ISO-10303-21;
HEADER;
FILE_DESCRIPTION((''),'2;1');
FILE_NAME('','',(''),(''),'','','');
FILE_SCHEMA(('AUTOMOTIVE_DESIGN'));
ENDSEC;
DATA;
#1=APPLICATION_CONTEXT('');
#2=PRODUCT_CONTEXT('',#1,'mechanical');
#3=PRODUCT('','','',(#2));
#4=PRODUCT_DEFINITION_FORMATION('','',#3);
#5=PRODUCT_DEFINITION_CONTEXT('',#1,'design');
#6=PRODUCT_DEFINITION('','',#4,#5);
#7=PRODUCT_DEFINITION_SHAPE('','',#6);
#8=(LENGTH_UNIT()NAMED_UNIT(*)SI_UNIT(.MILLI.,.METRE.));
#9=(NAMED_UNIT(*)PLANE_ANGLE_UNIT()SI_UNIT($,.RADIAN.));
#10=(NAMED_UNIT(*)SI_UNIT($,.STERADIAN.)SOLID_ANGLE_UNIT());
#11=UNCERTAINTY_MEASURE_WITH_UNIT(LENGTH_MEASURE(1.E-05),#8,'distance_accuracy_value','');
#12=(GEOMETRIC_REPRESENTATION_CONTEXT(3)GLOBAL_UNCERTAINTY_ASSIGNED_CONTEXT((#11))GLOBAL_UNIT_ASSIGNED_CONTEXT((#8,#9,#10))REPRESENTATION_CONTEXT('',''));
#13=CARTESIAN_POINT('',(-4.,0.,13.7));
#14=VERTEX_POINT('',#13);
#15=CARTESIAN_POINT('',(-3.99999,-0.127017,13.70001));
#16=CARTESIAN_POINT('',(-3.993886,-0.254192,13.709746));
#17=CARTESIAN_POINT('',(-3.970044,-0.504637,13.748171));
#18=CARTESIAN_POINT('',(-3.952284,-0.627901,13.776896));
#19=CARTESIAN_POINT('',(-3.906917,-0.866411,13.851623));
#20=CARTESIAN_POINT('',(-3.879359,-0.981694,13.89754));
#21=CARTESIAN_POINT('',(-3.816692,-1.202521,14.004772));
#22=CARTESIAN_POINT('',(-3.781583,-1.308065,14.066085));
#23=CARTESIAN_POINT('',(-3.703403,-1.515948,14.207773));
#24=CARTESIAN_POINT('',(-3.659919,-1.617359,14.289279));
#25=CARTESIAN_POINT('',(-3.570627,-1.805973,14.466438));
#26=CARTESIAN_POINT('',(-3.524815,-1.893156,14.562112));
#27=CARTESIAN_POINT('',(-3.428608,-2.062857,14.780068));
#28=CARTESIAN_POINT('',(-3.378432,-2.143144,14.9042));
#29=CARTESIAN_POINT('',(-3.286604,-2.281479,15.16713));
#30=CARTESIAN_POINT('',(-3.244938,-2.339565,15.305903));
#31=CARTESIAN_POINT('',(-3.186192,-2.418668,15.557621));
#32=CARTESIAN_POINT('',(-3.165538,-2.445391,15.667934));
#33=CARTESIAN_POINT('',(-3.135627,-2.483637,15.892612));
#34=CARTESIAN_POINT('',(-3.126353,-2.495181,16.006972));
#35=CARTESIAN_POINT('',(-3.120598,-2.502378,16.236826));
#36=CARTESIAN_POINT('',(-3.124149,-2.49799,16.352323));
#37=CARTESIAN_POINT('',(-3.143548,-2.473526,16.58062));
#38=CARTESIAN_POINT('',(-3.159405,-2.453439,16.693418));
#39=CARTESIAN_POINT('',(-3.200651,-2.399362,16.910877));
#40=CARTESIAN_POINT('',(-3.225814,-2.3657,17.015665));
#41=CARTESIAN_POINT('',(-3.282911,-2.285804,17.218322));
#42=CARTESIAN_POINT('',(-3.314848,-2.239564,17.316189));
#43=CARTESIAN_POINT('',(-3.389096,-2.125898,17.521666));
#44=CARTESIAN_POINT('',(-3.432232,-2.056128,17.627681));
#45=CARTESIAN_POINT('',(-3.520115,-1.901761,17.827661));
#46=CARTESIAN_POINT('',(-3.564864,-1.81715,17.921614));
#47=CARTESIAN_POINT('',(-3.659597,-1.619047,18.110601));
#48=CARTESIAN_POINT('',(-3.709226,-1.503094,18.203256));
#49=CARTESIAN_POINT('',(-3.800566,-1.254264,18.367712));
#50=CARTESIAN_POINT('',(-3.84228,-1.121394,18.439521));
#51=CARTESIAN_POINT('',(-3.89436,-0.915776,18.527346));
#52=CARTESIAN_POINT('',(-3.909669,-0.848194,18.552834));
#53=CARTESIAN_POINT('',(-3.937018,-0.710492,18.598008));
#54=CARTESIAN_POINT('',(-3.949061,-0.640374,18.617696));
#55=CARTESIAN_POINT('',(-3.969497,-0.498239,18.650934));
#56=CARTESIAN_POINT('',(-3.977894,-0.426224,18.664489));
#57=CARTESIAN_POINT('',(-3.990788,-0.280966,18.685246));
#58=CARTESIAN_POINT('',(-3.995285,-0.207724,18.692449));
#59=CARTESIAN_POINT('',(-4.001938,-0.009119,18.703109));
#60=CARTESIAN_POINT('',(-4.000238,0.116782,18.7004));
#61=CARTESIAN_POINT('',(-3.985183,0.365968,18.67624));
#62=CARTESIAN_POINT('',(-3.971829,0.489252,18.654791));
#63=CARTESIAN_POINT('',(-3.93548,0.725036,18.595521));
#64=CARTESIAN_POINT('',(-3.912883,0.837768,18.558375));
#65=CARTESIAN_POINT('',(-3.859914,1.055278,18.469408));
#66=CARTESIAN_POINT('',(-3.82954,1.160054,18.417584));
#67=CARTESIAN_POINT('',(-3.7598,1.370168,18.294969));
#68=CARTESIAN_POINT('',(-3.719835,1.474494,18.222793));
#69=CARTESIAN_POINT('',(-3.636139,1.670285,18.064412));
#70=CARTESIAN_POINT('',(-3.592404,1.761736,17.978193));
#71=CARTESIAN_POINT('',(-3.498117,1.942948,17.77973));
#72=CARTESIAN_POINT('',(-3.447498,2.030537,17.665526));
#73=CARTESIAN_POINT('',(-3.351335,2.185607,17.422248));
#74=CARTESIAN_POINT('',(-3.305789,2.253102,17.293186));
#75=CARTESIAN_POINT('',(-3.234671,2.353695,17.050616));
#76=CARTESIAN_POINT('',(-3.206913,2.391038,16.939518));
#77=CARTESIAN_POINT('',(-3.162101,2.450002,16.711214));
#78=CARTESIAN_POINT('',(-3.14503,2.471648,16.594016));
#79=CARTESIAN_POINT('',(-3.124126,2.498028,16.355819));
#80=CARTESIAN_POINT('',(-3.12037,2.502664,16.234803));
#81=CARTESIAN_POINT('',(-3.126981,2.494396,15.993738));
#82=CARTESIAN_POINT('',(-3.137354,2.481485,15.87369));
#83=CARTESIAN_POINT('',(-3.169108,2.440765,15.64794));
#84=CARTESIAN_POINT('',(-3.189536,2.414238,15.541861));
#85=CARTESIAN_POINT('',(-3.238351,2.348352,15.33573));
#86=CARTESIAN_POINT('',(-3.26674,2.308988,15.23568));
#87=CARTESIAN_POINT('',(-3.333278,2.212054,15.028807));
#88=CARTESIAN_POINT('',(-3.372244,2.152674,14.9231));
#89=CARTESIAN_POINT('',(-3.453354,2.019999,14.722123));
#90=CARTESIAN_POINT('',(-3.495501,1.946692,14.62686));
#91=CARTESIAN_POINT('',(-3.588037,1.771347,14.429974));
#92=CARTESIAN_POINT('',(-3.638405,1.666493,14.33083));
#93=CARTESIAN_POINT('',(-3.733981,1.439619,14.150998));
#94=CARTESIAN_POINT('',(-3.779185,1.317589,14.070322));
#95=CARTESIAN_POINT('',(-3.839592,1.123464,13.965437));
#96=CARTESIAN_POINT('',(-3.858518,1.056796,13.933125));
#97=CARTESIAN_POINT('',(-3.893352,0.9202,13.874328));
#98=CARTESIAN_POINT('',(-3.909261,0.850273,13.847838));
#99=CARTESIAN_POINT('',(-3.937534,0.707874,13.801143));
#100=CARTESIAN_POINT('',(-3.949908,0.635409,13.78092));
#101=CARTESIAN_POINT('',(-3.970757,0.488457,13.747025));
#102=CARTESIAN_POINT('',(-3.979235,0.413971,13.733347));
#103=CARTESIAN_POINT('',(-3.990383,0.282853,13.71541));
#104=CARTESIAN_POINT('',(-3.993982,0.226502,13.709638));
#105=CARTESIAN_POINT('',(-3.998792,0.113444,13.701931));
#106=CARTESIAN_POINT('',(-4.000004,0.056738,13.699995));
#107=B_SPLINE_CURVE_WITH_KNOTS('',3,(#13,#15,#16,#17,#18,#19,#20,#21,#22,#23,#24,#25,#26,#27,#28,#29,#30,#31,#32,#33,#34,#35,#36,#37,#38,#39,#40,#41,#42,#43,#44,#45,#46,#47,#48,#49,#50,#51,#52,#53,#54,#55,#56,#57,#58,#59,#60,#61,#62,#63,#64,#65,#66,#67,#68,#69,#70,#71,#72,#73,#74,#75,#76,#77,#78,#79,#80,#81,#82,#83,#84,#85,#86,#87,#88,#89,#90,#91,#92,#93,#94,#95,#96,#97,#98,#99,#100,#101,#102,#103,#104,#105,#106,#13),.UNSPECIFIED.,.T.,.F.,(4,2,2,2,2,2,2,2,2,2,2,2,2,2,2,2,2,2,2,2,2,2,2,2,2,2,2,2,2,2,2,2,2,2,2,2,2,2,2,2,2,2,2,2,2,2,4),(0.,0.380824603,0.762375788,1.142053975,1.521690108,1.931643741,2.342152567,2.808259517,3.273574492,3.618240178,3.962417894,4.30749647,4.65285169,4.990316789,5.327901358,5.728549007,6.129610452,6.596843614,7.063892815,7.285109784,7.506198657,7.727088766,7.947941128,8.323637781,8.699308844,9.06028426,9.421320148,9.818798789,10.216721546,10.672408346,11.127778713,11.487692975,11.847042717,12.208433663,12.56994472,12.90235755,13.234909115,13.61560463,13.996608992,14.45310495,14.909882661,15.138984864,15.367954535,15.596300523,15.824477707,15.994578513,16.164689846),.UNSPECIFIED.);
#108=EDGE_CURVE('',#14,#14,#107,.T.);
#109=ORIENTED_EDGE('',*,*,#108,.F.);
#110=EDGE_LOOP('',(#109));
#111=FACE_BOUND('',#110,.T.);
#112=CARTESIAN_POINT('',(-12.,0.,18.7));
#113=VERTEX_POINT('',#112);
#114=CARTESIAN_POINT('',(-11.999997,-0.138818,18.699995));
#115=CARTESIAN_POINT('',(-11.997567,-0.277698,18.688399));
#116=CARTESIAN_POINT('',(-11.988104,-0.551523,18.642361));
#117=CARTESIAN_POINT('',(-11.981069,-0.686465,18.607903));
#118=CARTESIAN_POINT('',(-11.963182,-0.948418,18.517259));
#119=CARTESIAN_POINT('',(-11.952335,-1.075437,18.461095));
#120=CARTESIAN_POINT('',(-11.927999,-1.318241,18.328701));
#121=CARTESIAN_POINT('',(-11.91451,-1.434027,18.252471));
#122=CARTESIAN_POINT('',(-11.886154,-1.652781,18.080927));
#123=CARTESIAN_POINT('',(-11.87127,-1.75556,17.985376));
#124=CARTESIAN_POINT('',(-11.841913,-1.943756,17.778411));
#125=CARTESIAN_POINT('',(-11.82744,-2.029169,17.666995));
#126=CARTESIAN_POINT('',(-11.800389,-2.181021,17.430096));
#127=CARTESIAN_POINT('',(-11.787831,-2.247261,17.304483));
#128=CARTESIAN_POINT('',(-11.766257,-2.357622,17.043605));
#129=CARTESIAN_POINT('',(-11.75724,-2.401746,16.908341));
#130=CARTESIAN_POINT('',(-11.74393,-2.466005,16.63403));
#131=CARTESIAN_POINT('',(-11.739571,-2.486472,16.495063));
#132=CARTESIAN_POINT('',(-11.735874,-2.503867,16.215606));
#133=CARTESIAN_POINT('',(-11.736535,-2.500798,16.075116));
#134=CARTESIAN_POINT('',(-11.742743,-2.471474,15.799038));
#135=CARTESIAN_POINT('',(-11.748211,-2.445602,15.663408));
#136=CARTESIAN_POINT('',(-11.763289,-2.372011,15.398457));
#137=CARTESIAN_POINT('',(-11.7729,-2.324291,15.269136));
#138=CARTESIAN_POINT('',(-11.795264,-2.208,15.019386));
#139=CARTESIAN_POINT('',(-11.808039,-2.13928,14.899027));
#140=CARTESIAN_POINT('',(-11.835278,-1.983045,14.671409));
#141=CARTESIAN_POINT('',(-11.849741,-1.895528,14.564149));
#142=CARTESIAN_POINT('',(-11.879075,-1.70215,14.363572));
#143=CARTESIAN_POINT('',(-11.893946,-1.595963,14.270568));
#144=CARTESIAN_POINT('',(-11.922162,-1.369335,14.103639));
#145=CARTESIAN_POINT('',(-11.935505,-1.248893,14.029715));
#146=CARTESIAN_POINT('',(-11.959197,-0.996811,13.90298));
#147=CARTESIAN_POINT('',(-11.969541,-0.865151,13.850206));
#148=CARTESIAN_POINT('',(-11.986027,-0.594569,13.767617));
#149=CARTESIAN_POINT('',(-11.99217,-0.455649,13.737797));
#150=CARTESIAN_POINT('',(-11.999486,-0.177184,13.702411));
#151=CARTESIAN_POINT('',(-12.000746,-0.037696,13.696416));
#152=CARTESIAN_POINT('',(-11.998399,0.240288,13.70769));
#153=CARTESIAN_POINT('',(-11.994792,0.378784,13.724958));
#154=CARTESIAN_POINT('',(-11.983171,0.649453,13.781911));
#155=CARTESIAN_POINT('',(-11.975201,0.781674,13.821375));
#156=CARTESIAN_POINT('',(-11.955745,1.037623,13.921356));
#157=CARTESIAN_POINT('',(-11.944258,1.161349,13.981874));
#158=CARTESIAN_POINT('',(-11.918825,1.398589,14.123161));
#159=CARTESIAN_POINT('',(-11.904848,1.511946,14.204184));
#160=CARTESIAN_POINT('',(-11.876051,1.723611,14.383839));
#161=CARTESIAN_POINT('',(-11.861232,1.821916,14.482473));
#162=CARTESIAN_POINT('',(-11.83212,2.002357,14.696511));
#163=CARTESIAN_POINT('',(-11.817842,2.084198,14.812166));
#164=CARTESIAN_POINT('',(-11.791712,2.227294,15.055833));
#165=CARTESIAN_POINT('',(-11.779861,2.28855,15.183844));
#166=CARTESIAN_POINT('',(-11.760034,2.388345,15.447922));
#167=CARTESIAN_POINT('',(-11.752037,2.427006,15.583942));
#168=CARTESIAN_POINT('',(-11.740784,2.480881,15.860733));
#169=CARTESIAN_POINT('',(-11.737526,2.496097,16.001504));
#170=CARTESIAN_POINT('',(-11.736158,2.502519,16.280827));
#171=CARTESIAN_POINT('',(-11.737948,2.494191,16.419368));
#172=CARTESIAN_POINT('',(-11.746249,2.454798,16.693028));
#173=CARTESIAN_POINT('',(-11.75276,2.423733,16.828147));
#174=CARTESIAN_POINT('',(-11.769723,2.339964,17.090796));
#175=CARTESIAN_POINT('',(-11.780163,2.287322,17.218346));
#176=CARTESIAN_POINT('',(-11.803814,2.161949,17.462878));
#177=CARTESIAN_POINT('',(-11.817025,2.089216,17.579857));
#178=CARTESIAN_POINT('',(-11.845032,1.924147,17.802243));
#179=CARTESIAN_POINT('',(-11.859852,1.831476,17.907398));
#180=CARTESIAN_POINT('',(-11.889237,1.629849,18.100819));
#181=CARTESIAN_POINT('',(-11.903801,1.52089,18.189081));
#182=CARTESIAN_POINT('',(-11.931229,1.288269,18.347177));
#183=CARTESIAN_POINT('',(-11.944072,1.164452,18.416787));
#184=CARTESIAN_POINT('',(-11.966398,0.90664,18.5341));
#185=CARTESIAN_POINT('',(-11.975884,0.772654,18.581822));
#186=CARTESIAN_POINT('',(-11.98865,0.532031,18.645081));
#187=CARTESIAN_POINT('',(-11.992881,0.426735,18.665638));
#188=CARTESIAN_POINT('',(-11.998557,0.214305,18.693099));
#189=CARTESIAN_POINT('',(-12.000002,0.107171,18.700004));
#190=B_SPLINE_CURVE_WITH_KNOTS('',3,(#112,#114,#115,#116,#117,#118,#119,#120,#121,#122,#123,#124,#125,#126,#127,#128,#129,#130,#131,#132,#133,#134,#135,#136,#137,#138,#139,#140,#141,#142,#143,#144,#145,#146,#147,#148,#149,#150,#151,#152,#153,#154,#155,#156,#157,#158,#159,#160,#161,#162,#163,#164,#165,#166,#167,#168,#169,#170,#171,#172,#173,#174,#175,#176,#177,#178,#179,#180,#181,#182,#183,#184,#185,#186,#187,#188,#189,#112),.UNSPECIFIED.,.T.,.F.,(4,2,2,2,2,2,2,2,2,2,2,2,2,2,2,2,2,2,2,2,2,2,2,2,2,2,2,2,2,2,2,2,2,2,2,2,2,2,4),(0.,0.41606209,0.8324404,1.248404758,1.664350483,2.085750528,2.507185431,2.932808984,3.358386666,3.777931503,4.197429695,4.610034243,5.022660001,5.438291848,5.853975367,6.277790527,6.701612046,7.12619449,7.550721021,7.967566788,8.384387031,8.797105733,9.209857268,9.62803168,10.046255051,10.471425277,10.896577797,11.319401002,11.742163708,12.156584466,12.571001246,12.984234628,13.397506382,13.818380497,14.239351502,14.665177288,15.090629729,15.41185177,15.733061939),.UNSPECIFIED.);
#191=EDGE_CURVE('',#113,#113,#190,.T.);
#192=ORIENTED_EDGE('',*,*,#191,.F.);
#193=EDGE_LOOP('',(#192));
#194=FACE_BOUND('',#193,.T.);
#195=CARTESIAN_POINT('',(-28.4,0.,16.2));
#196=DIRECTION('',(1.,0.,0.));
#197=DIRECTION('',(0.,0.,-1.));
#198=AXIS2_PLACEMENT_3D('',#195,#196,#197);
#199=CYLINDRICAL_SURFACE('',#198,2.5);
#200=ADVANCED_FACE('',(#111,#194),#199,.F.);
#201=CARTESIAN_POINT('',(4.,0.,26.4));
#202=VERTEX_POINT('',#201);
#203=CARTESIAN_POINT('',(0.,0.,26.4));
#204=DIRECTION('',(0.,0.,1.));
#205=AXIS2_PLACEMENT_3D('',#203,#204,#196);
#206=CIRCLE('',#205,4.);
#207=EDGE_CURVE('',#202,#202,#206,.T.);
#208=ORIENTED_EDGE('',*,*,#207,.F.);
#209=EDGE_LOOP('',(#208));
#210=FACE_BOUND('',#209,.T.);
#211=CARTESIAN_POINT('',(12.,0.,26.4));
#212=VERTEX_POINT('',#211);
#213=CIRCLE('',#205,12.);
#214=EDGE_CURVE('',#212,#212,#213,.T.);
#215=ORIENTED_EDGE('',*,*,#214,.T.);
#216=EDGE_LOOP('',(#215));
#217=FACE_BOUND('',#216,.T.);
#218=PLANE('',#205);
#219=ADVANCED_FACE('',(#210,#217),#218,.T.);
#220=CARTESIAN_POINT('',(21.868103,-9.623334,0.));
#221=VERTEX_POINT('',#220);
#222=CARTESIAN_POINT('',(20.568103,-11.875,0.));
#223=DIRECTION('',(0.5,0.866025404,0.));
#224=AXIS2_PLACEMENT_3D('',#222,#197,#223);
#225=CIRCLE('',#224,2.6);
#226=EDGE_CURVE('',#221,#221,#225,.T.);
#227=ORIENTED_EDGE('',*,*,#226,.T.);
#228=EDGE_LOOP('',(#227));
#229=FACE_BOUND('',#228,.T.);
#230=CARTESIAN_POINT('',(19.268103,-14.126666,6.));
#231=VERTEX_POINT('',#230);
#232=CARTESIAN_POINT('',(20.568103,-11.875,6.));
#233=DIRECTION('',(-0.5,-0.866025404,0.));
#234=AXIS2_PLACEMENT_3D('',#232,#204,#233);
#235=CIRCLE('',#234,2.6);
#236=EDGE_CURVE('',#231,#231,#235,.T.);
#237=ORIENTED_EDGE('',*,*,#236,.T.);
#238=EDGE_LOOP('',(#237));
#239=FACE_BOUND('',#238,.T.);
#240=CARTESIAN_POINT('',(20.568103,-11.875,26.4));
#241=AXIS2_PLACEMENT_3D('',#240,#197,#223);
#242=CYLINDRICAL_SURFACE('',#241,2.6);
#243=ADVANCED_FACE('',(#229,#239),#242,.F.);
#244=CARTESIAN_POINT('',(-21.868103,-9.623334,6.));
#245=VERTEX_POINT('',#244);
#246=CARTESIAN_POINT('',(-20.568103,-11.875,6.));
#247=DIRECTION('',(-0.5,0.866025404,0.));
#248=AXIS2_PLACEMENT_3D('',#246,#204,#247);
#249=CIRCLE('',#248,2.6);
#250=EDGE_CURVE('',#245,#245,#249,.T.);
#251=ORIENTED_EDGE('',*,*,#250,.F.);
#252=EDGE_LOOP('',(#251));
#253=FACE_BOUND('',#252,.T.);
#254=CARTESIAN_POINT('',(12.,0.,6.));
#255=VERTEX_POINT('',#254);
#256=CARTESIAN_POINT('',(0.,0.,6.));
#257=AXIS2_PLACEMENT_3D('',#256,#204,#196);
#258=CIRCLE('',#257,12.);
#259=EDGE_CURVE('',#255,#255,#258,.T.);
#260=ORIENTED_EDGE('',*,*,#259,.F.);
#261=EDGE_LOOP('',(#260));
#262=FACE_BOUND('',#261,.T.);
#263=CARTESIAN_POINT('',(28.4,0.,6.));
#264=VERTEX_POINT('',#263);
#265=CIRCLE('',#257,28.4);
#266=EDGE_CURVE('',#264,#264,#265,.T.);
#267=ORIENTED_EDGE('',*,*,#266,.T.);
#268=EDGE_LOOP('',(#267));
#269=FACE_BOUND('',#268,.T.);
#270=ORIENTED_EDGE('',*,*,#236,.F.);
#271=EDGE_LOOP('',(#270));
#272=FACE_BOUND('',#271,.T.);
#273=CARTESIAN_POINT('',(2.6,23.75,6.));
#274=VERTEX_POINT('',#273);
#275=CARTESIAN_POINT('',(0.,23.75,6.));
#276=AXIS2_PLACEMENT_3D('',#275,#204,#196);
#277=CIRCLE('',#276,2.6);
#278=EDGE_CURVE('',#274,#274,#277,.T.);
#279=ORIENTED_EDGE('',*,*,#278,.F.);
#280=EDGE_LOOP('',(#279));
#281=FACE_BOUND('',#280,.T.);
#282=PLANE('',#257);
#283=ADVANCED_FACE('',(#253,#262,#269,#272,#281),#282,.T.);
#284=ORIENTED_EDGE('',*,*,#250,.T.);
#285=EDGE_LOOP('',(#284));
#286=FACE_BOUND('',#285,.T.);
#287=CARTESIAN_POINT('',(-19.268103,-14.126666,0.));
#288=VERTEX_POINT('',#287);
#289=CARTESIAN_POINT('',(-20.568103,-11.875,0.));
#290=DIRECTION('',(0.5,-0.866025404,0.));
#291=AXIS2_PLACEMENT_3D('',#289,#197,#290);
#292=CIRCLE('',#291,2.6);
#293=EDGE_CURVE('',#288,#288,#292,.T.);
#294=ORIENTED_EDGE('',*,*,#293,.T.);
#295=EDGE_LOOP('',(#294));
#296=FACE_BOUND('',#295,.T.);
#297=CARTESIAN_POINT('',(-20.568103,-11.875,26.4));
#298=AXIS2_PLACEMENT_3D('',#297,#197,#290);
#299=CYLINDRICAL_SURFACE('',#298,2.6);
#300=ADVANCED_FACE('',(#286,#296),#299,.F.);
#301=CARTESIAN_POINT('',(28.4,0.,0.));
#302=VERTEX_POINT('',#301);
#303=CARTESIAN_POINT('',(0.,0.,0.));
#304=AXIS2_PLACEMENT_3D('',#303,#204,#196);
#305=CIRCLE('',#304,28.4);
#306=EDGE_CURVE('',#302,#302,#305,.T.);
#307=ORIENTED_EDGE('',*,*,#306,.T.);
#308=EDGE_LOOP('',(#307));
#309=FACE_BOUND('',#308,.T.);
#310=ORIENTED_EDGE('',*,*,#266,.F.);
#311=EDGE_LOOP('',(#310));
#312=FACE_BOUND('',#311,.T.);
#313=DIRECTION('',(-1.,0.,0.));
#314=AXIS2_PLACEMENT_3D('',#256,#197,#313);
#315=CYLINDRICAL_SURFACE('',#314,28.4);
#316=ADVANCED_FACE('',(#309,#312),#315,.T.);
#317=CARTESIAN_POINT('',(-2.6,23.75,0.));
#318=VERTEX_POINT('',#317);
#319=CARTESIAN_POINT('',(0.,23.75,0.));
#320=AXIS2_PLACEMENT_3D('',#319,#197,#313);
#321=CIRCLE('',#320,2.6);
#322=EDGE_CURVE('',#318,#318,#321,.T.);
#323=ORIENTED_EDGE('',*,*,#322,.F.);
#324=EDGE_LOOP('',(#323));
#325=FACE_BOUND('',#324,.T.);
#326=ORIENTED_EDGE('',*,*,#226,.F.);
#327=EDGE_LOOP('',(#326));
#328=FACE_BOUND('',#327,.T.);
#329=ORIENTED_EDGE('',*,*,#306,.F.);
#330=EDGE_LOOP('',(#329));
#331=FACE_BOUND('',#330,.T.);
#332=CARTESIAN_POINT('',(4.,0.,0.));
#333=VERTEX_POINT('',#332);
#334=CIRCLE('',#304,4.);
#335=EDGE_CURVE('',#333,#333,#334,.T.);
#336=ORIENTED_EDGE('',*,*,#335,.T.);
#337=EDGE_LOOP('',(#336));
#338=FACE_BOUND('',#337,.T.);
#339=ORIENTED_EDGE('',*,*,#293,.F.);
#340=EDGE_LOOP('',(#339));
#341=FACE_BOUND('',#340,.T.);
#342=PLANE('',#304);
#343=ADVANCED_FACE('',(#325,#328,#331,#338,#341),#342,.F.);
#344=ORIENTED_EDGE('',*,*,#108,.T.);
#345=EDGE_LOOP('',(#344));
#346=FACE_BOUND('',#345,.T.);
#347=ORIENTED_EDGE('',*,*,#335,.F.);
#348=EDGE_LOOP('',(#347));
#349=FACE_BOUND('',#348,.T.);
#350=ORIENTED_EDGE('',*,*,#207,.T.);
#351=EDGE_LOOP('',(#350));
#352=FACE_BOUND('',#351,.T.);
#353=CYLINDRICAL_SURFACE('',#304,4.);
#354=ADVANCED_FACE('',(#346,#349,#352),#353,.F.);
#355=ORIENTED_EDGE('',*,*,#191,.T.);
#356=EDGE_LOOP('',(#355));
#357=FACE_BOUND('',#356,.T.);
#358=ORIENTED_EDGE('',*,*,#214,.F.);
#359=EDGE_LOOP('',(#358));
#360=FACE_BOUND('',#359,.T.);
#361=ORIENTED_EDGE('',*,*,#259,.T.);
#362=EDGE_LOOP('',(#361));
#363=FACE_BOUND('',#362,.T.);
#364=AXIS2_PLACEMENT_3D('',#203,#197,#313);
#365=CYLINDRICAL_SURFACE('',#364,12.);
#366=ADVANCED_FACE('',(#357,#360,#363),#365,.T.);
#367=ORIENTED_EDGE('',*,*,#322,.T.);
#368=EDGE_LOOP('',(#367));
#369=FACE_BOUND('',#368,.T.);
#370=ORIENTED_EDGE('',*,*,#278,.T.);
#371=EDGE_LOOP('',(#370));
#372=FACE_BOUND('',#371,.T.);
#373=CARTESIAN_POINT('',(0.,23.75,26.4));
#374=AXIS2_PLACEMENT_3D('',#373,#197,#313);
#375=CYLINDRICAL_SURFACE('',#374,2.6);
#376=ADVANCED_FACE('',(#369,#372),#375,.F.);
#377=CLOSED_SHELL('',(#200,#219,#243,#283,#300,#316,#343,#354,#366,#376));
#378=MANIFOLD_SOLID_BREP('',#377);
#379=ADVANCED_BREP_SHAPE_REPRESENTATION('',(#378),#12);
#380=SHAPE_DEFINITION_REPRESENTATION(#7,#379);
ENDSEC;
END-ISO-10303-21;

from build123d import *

# Parameters (mm, degrees)
SKETCH2_R           = 28.4
BOSS_EXTRUDE1_DEPTH = 6
SKETCH3_R           = 12
BOSS_EXTRUDE2_DEPTH = 20.4
SKETCH4_R           = 4
CUT_EXTRUDE1_DEPTH  = 49.063291606
SKETCH5_R           = 2.6
CUT_EXTRUDE2_DEPTH  = 49.063291606
CIRPATTERN2_COUNT   = 3
SKETCH6_R           = 2.5
CUT_EXTRUDE3_DEPTH  = 49.063291606


with BuildPart() as part:
    # Sketch2 → Boss-Extrude1 (new body)
    with BuildSketch(Plane.XY):
        Circle(SKETCH2_R)
    extrude(amount=BOSS_EXTRUDE1_DEPTH)

    # Sketch3 → Boss-Extrude2 (add)
    with BuildSketch(Plane.XY.offset(6)):
        Circle(SKETCH3_R)
    extrude(amount=BOSS_EXTRUDE2_DEPTH)

    # Sketch4 → Cut-Extrude1 (cut, through all)
    with BuildSketch(Plane.XY.offset(26.4)):
        Circle(SKETCH4_R)
    extrude(amount=-CUT_EXTRUDE1_DEPTH, mode=Mode.SUBTRACT)

    # Sketch5 → Cut-Extrude2 (cut, through all)
    with BuildSketch(Plane(origin=(0, 0, 0), x_dir=(-1, 0, 0), z_dir=(0, 0, -1))):
        with Locations((0, 23.75)):
            Circle(SKETCH5_R)
    cut_extrude2 = extrude(amount=-CUT_EXTRUDE2_DEPTH, mode=Mode.SUBTRACT)

    # CirPattern2: Cut-Extrude2 ×3 about axis
    cirpattern2_axis = Axis((0, 0, 0), (0, 0, 1))
    for i in range(1, CIRPATTERN2_COUNT):
        add(cut_extrude2.rotate(cirpattern2_axis, i * 360 / CIRPATTERN2_COUNT), mode=Mode.SUBTRACT)

    # Sketch6 → Cut-Extrude3 (cut, through all)
    with BuildSketch(Plane(origin=(0, 0, 0), x_dir=(0, 0, -1), z_dir=(1, 0, 0))):
        with Locations((-16.2, 0)):
            Circle(SKETCH6_R)
    extrude(amount=-CUT_EXTRUDE3_DEPTH, mode=Mode.SUBTRACT)


solid = part.part
